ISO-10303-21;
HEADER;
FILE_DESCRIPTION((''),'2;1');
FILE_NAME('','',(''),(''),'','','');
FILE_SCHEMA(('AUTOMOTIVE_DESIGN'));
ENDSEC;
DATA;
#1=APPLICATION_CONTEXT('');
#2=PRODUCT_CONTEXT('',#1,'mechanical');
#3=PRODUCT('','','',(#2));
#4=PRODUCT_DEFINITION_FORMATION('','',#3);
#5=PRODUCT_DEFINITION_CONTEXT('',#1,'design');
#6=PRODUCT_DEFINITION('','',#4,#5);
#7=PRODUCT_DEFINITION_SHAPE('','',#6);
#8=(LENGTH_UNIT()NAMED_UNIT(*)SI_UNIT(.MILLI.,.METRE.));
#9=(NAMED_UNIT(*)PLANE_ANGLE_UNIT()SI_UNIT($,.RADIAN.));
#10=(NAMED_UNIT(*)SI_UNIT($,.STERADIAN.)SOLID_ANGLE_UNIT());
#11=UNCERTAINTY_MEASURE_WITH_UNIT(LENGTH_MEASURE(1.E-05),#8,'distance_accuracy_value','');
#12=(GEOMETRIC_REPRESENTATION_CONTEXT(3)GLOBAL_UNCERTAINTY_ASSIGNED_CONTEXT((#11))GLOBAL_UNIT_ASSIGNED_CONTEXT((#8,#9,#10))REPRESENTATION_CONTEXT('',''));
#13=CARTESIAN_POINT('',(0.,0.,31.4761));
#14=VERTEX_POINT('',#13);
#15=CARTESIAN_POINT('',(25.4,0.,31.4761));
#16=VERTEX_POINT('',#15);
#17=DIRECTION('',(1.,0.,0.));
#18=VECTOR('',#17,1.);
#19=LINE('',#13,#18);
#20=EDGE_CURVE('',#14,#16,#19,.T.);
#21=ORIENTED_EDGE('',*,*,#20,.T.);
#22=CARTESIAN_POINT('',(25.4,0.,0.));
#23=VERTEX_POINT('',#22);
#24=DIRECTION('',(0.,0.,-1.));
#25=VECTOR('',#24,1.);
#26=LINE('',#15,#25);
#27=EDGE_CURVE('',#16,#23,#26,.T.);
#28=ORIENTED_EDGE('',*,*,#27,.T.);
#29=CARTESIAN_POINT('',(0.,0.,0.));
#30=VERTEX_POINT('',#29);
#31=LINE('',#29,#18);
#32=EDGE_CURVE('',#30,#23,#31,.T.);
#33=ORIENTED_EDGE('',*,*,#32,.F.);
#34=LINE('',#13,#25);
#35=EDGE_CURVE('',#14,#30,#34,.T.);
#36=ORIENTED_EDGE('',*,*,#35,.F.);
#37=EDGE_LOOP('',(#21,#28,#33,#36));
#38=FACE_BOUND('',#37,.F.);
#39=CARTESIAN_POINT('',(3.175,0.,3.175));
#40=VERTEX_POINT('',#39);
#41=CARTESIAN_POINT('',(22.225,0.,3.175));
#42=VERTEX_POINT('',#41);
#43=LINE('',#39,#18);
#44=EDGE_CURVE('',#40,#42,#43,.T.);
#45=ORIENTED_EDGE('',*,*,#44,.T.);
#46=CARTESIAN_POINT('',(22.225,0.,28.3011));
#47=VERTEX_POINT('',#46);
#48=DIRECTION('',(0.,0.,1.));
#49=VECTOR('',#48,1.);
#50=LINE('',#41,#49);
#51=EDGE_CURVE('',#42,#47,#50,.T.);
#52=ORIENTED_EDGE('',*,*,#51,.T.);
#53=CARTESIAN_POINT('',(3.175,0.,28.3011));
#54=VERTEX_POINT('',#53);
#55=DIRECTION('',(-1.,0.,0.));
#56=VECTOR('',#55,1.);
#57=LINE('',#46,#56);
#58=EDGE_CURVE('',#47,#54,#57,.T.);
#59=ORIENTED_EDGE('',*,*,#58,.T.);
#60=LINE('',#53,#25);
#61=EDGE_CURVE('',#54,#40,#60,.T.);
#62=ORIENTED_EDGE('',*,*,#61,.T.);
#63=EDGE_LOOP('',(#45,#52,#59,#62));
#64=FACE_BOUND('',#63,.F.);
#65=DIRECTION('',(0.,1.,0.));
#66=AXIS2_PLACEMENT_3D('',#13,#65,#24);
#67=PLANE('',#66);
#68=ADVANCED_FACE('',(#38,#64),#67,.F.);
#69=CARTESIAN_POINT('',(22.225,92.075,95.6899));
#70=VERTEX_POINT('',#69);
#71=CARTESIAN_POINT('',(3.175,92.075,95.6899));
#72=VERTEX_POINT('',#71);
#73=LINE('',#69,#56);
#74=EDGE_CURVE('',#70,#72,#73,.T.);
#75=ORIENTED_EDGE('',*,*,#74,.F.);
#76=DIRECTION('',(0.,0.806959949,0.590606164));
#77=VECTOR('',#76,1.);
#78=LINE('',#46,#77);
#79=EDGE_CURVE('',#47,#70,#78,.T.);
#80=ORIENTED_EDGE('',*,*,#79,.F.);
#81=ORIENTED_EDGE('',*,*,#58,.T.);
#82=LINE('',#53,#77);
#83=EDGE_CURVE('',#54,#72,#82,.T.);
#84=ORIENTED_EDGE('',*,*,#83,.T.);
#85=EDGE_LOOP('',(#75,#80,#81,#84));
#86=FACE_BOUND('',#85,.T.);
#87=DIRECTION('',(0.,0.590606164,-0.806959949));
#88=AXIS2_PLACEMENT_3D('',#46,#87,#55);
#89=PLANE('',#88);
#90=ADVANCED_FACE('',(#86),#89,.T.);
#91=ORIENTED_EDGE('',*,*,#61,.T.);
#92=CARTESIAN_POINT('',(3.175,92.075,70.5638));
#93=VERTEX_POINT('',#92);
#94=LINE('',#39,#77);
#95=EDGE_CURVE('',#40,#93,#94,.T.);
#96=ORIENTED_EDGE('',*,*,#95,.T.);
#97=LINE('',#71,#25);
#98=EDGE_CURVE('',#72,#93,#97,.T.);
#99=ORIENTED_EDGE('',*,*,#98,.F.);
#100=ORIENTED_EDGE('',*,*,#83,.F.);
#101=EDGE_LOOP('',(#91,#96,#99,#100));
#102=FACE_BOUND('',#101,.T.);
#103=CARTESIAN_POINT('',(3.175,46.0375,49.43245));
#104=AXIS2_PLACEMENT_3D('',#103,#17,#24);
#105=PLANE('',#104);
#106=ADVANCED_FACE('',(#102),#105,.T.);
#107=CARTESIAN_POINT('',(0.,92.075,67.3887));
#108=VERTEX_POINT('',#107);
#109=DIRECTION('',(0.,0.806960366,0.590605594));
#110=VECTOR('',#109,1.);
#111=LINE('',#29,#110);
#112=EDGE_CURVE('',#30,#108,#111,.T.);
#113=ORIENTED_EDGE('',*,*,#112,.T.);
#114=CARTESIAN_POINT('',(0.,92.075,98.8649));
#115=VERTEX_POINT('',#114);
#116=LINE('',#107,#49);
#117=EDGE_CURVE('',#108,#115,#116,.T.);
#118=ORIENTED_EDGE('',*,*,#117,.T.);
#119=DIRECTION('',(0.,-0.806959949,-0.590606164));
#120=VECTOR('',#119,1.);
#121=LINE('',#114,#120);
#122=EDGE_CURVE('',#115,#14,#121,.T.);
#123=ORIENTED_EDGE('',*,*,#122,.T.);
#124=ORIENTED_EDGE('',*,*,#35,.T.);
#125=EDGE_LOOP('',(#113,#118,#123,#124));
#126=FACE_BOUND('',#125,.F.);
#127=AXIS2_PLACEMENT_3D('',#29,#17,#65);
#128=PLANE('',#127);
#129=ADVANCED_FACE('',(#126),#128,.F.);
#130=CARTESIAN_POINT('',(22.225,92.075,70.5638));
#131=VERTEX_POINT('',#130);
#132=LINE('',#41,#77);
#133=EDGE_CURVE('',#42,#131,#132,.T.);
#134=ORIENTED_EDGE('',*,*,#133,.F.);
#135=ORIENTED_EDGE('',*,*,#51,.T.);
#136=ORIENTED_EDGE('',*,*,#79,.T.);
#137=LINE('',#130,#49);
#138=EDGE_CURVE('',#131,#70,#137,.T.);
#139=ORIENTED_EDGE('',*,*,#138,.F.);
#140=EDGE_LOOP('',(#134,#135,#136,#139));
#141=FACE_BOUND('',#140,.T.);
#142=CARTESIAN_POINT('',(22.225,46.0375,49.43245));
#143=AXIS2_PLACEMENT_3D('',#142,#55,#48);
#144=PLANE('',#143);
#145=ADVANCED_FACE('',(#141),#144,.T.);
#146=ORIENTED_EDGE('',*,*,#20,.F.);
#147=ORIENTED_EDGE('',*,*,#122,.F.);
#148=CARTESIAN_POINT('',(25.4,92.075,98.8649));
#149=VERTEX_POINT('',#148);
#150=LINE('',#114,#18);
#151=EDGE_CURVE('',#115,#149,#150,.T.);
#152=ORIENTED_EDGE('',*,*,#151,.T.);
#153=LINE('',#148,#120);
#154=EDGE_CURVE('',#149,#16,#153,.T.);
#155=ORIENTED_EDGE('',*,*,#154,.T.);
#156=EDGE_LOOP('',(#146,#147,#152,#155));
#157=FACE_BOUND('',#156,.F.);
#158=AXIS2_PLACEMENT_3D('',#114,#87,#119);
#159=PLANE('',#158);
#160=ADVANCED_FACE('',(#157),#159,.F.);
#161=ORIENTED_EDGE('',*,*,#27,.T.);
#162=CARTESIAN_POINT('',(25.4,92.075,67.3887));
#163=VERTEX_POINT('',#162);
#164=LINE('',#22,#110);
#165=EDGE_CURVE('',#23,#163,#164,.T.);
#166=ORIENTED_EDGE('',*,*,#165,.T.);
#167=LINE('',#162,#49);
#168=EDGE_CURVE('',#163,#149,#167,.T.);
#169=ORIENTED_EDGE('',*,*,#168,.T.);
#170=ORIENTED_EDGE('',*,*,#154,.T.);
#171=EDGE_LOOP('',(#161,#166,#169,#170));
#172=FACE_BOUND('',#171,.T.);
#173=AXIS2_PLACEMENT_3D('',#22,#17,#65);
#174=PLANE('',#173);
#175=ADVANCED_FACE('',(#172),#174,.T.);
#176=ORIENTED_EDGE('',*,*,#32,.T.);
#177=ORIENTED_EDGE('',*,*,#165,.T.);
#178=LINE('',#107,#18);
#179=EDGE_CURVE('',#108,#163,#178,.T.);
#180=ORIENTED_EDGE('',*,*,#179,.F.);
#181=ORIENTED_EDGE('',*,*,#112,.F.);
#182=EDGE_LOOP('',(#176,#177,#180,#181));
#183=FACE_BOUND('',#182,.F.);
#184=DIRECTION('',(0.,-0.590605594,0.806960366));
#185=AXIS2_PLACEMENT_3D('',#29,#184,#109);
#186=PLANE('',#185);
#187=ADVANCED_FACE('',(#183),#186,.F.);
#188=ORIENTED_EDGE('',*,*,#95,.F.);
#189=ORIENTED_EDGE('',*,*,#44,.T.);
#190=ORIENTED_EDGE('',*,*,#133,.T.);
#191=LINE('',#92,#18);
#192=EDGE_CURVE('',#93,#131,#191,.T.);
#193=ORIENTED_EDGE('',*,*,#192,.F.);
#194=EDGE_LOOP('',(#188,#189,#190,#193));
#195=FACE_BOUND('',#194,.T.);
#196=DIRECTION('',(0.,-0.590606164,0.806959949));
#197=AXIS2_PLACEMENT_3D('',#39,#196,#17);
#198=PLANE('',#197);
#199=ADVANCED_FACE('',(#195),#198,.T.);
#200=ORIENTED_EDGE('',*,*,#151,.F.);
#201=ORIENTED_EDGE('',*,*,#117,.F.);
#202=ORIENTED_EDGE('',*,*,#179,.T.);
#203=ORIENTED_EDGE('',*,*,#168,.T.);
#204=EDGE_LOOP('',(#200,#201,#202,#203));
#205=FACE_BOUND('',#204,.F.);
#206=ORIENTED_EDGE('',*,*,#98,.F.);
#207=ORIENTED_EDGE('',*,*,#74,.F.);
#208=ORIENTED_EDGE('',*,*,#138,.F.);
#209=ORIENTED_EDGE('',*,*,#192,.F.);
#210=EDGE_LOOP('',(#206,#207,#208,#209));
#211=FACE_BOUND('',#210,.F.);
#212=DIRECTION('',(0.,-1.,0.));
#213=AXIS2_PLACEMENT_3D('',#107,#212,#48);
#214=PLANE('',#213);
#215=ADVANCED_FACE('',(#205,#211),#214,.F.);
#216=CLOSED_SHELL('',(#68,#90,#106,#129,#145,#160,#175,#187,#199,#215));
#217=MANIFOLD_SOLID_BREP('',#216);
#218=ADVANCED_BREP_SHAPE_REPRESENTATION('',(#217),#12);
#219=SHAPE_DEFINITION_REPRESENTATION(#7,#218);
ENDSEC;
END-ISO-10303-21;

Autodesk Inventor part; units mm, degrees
ref_plane "YZ Plane" through (0, 0, 0) normal (1, 0, 0) x (0, 1, 0)
ref_plane "XZ Plane" through (0, 0, 0) normal (0, 1, 0) x (-1, 0, 0)
ref_plane "XY Plane" through (0, 0, 0) normal (0, 0, 1) x (1, 0, 0)
sketch "Sketch1" plane through (0, 0, 0) normal (1, 0, 0) x (0, 1, 0)
  line L0 (0, 0) -> (92.075, 67.3887)
  line L1 (92.075, 67.3887) -> (92.075, 98.8649)
  line L2 (92.075, 98.8649) -> (0, 31.4761)
  line L3 (0, 31.4761) -> (0, 0)
  dimension "d0" = 53.8
  dimension "d2" = 25.4
  dimension "d3" = 92.075
extrude "Extrusion1" add sketch "Sketch1" along normal blind 25.4
sketch "Sketch3" plane through (0, 0, 0) normal (0, -1, 0) x (1, 0, 0)
  line L0 (22.225, 28.3011) -> (3.175, 28.3011)
  line L1 (3.175, 28.3011) -> (3.175, 3.175)
  line L2 (3.175, 3.175) -> (22.225, 3.175)
  line L3 (22.225, 3.175) -> (22.225, 28.3011)
  line L4 (0, 31.4761) -> (25.4, 31.4761) projected
  line L5 (25.4, 0) -> (25.4, 67.3887) projected
  line L6 (0, 0) -> (25.4, 0) projected
  dimension "d10" = 19.05
  dimension "d12" = 3.175
  dimension "d13" = 3.175
  dimension "d16" = 3.175
sketch3d "3D Sketch1"
  line L0 (25.4, 0, 31.4761) -> (25.4, 92.075, 98.8649)
sweep "Sweep2" cut profiles "Sketch3" path "3D Sketch1"
properties part number "Arm Platform Diagonal strut"
